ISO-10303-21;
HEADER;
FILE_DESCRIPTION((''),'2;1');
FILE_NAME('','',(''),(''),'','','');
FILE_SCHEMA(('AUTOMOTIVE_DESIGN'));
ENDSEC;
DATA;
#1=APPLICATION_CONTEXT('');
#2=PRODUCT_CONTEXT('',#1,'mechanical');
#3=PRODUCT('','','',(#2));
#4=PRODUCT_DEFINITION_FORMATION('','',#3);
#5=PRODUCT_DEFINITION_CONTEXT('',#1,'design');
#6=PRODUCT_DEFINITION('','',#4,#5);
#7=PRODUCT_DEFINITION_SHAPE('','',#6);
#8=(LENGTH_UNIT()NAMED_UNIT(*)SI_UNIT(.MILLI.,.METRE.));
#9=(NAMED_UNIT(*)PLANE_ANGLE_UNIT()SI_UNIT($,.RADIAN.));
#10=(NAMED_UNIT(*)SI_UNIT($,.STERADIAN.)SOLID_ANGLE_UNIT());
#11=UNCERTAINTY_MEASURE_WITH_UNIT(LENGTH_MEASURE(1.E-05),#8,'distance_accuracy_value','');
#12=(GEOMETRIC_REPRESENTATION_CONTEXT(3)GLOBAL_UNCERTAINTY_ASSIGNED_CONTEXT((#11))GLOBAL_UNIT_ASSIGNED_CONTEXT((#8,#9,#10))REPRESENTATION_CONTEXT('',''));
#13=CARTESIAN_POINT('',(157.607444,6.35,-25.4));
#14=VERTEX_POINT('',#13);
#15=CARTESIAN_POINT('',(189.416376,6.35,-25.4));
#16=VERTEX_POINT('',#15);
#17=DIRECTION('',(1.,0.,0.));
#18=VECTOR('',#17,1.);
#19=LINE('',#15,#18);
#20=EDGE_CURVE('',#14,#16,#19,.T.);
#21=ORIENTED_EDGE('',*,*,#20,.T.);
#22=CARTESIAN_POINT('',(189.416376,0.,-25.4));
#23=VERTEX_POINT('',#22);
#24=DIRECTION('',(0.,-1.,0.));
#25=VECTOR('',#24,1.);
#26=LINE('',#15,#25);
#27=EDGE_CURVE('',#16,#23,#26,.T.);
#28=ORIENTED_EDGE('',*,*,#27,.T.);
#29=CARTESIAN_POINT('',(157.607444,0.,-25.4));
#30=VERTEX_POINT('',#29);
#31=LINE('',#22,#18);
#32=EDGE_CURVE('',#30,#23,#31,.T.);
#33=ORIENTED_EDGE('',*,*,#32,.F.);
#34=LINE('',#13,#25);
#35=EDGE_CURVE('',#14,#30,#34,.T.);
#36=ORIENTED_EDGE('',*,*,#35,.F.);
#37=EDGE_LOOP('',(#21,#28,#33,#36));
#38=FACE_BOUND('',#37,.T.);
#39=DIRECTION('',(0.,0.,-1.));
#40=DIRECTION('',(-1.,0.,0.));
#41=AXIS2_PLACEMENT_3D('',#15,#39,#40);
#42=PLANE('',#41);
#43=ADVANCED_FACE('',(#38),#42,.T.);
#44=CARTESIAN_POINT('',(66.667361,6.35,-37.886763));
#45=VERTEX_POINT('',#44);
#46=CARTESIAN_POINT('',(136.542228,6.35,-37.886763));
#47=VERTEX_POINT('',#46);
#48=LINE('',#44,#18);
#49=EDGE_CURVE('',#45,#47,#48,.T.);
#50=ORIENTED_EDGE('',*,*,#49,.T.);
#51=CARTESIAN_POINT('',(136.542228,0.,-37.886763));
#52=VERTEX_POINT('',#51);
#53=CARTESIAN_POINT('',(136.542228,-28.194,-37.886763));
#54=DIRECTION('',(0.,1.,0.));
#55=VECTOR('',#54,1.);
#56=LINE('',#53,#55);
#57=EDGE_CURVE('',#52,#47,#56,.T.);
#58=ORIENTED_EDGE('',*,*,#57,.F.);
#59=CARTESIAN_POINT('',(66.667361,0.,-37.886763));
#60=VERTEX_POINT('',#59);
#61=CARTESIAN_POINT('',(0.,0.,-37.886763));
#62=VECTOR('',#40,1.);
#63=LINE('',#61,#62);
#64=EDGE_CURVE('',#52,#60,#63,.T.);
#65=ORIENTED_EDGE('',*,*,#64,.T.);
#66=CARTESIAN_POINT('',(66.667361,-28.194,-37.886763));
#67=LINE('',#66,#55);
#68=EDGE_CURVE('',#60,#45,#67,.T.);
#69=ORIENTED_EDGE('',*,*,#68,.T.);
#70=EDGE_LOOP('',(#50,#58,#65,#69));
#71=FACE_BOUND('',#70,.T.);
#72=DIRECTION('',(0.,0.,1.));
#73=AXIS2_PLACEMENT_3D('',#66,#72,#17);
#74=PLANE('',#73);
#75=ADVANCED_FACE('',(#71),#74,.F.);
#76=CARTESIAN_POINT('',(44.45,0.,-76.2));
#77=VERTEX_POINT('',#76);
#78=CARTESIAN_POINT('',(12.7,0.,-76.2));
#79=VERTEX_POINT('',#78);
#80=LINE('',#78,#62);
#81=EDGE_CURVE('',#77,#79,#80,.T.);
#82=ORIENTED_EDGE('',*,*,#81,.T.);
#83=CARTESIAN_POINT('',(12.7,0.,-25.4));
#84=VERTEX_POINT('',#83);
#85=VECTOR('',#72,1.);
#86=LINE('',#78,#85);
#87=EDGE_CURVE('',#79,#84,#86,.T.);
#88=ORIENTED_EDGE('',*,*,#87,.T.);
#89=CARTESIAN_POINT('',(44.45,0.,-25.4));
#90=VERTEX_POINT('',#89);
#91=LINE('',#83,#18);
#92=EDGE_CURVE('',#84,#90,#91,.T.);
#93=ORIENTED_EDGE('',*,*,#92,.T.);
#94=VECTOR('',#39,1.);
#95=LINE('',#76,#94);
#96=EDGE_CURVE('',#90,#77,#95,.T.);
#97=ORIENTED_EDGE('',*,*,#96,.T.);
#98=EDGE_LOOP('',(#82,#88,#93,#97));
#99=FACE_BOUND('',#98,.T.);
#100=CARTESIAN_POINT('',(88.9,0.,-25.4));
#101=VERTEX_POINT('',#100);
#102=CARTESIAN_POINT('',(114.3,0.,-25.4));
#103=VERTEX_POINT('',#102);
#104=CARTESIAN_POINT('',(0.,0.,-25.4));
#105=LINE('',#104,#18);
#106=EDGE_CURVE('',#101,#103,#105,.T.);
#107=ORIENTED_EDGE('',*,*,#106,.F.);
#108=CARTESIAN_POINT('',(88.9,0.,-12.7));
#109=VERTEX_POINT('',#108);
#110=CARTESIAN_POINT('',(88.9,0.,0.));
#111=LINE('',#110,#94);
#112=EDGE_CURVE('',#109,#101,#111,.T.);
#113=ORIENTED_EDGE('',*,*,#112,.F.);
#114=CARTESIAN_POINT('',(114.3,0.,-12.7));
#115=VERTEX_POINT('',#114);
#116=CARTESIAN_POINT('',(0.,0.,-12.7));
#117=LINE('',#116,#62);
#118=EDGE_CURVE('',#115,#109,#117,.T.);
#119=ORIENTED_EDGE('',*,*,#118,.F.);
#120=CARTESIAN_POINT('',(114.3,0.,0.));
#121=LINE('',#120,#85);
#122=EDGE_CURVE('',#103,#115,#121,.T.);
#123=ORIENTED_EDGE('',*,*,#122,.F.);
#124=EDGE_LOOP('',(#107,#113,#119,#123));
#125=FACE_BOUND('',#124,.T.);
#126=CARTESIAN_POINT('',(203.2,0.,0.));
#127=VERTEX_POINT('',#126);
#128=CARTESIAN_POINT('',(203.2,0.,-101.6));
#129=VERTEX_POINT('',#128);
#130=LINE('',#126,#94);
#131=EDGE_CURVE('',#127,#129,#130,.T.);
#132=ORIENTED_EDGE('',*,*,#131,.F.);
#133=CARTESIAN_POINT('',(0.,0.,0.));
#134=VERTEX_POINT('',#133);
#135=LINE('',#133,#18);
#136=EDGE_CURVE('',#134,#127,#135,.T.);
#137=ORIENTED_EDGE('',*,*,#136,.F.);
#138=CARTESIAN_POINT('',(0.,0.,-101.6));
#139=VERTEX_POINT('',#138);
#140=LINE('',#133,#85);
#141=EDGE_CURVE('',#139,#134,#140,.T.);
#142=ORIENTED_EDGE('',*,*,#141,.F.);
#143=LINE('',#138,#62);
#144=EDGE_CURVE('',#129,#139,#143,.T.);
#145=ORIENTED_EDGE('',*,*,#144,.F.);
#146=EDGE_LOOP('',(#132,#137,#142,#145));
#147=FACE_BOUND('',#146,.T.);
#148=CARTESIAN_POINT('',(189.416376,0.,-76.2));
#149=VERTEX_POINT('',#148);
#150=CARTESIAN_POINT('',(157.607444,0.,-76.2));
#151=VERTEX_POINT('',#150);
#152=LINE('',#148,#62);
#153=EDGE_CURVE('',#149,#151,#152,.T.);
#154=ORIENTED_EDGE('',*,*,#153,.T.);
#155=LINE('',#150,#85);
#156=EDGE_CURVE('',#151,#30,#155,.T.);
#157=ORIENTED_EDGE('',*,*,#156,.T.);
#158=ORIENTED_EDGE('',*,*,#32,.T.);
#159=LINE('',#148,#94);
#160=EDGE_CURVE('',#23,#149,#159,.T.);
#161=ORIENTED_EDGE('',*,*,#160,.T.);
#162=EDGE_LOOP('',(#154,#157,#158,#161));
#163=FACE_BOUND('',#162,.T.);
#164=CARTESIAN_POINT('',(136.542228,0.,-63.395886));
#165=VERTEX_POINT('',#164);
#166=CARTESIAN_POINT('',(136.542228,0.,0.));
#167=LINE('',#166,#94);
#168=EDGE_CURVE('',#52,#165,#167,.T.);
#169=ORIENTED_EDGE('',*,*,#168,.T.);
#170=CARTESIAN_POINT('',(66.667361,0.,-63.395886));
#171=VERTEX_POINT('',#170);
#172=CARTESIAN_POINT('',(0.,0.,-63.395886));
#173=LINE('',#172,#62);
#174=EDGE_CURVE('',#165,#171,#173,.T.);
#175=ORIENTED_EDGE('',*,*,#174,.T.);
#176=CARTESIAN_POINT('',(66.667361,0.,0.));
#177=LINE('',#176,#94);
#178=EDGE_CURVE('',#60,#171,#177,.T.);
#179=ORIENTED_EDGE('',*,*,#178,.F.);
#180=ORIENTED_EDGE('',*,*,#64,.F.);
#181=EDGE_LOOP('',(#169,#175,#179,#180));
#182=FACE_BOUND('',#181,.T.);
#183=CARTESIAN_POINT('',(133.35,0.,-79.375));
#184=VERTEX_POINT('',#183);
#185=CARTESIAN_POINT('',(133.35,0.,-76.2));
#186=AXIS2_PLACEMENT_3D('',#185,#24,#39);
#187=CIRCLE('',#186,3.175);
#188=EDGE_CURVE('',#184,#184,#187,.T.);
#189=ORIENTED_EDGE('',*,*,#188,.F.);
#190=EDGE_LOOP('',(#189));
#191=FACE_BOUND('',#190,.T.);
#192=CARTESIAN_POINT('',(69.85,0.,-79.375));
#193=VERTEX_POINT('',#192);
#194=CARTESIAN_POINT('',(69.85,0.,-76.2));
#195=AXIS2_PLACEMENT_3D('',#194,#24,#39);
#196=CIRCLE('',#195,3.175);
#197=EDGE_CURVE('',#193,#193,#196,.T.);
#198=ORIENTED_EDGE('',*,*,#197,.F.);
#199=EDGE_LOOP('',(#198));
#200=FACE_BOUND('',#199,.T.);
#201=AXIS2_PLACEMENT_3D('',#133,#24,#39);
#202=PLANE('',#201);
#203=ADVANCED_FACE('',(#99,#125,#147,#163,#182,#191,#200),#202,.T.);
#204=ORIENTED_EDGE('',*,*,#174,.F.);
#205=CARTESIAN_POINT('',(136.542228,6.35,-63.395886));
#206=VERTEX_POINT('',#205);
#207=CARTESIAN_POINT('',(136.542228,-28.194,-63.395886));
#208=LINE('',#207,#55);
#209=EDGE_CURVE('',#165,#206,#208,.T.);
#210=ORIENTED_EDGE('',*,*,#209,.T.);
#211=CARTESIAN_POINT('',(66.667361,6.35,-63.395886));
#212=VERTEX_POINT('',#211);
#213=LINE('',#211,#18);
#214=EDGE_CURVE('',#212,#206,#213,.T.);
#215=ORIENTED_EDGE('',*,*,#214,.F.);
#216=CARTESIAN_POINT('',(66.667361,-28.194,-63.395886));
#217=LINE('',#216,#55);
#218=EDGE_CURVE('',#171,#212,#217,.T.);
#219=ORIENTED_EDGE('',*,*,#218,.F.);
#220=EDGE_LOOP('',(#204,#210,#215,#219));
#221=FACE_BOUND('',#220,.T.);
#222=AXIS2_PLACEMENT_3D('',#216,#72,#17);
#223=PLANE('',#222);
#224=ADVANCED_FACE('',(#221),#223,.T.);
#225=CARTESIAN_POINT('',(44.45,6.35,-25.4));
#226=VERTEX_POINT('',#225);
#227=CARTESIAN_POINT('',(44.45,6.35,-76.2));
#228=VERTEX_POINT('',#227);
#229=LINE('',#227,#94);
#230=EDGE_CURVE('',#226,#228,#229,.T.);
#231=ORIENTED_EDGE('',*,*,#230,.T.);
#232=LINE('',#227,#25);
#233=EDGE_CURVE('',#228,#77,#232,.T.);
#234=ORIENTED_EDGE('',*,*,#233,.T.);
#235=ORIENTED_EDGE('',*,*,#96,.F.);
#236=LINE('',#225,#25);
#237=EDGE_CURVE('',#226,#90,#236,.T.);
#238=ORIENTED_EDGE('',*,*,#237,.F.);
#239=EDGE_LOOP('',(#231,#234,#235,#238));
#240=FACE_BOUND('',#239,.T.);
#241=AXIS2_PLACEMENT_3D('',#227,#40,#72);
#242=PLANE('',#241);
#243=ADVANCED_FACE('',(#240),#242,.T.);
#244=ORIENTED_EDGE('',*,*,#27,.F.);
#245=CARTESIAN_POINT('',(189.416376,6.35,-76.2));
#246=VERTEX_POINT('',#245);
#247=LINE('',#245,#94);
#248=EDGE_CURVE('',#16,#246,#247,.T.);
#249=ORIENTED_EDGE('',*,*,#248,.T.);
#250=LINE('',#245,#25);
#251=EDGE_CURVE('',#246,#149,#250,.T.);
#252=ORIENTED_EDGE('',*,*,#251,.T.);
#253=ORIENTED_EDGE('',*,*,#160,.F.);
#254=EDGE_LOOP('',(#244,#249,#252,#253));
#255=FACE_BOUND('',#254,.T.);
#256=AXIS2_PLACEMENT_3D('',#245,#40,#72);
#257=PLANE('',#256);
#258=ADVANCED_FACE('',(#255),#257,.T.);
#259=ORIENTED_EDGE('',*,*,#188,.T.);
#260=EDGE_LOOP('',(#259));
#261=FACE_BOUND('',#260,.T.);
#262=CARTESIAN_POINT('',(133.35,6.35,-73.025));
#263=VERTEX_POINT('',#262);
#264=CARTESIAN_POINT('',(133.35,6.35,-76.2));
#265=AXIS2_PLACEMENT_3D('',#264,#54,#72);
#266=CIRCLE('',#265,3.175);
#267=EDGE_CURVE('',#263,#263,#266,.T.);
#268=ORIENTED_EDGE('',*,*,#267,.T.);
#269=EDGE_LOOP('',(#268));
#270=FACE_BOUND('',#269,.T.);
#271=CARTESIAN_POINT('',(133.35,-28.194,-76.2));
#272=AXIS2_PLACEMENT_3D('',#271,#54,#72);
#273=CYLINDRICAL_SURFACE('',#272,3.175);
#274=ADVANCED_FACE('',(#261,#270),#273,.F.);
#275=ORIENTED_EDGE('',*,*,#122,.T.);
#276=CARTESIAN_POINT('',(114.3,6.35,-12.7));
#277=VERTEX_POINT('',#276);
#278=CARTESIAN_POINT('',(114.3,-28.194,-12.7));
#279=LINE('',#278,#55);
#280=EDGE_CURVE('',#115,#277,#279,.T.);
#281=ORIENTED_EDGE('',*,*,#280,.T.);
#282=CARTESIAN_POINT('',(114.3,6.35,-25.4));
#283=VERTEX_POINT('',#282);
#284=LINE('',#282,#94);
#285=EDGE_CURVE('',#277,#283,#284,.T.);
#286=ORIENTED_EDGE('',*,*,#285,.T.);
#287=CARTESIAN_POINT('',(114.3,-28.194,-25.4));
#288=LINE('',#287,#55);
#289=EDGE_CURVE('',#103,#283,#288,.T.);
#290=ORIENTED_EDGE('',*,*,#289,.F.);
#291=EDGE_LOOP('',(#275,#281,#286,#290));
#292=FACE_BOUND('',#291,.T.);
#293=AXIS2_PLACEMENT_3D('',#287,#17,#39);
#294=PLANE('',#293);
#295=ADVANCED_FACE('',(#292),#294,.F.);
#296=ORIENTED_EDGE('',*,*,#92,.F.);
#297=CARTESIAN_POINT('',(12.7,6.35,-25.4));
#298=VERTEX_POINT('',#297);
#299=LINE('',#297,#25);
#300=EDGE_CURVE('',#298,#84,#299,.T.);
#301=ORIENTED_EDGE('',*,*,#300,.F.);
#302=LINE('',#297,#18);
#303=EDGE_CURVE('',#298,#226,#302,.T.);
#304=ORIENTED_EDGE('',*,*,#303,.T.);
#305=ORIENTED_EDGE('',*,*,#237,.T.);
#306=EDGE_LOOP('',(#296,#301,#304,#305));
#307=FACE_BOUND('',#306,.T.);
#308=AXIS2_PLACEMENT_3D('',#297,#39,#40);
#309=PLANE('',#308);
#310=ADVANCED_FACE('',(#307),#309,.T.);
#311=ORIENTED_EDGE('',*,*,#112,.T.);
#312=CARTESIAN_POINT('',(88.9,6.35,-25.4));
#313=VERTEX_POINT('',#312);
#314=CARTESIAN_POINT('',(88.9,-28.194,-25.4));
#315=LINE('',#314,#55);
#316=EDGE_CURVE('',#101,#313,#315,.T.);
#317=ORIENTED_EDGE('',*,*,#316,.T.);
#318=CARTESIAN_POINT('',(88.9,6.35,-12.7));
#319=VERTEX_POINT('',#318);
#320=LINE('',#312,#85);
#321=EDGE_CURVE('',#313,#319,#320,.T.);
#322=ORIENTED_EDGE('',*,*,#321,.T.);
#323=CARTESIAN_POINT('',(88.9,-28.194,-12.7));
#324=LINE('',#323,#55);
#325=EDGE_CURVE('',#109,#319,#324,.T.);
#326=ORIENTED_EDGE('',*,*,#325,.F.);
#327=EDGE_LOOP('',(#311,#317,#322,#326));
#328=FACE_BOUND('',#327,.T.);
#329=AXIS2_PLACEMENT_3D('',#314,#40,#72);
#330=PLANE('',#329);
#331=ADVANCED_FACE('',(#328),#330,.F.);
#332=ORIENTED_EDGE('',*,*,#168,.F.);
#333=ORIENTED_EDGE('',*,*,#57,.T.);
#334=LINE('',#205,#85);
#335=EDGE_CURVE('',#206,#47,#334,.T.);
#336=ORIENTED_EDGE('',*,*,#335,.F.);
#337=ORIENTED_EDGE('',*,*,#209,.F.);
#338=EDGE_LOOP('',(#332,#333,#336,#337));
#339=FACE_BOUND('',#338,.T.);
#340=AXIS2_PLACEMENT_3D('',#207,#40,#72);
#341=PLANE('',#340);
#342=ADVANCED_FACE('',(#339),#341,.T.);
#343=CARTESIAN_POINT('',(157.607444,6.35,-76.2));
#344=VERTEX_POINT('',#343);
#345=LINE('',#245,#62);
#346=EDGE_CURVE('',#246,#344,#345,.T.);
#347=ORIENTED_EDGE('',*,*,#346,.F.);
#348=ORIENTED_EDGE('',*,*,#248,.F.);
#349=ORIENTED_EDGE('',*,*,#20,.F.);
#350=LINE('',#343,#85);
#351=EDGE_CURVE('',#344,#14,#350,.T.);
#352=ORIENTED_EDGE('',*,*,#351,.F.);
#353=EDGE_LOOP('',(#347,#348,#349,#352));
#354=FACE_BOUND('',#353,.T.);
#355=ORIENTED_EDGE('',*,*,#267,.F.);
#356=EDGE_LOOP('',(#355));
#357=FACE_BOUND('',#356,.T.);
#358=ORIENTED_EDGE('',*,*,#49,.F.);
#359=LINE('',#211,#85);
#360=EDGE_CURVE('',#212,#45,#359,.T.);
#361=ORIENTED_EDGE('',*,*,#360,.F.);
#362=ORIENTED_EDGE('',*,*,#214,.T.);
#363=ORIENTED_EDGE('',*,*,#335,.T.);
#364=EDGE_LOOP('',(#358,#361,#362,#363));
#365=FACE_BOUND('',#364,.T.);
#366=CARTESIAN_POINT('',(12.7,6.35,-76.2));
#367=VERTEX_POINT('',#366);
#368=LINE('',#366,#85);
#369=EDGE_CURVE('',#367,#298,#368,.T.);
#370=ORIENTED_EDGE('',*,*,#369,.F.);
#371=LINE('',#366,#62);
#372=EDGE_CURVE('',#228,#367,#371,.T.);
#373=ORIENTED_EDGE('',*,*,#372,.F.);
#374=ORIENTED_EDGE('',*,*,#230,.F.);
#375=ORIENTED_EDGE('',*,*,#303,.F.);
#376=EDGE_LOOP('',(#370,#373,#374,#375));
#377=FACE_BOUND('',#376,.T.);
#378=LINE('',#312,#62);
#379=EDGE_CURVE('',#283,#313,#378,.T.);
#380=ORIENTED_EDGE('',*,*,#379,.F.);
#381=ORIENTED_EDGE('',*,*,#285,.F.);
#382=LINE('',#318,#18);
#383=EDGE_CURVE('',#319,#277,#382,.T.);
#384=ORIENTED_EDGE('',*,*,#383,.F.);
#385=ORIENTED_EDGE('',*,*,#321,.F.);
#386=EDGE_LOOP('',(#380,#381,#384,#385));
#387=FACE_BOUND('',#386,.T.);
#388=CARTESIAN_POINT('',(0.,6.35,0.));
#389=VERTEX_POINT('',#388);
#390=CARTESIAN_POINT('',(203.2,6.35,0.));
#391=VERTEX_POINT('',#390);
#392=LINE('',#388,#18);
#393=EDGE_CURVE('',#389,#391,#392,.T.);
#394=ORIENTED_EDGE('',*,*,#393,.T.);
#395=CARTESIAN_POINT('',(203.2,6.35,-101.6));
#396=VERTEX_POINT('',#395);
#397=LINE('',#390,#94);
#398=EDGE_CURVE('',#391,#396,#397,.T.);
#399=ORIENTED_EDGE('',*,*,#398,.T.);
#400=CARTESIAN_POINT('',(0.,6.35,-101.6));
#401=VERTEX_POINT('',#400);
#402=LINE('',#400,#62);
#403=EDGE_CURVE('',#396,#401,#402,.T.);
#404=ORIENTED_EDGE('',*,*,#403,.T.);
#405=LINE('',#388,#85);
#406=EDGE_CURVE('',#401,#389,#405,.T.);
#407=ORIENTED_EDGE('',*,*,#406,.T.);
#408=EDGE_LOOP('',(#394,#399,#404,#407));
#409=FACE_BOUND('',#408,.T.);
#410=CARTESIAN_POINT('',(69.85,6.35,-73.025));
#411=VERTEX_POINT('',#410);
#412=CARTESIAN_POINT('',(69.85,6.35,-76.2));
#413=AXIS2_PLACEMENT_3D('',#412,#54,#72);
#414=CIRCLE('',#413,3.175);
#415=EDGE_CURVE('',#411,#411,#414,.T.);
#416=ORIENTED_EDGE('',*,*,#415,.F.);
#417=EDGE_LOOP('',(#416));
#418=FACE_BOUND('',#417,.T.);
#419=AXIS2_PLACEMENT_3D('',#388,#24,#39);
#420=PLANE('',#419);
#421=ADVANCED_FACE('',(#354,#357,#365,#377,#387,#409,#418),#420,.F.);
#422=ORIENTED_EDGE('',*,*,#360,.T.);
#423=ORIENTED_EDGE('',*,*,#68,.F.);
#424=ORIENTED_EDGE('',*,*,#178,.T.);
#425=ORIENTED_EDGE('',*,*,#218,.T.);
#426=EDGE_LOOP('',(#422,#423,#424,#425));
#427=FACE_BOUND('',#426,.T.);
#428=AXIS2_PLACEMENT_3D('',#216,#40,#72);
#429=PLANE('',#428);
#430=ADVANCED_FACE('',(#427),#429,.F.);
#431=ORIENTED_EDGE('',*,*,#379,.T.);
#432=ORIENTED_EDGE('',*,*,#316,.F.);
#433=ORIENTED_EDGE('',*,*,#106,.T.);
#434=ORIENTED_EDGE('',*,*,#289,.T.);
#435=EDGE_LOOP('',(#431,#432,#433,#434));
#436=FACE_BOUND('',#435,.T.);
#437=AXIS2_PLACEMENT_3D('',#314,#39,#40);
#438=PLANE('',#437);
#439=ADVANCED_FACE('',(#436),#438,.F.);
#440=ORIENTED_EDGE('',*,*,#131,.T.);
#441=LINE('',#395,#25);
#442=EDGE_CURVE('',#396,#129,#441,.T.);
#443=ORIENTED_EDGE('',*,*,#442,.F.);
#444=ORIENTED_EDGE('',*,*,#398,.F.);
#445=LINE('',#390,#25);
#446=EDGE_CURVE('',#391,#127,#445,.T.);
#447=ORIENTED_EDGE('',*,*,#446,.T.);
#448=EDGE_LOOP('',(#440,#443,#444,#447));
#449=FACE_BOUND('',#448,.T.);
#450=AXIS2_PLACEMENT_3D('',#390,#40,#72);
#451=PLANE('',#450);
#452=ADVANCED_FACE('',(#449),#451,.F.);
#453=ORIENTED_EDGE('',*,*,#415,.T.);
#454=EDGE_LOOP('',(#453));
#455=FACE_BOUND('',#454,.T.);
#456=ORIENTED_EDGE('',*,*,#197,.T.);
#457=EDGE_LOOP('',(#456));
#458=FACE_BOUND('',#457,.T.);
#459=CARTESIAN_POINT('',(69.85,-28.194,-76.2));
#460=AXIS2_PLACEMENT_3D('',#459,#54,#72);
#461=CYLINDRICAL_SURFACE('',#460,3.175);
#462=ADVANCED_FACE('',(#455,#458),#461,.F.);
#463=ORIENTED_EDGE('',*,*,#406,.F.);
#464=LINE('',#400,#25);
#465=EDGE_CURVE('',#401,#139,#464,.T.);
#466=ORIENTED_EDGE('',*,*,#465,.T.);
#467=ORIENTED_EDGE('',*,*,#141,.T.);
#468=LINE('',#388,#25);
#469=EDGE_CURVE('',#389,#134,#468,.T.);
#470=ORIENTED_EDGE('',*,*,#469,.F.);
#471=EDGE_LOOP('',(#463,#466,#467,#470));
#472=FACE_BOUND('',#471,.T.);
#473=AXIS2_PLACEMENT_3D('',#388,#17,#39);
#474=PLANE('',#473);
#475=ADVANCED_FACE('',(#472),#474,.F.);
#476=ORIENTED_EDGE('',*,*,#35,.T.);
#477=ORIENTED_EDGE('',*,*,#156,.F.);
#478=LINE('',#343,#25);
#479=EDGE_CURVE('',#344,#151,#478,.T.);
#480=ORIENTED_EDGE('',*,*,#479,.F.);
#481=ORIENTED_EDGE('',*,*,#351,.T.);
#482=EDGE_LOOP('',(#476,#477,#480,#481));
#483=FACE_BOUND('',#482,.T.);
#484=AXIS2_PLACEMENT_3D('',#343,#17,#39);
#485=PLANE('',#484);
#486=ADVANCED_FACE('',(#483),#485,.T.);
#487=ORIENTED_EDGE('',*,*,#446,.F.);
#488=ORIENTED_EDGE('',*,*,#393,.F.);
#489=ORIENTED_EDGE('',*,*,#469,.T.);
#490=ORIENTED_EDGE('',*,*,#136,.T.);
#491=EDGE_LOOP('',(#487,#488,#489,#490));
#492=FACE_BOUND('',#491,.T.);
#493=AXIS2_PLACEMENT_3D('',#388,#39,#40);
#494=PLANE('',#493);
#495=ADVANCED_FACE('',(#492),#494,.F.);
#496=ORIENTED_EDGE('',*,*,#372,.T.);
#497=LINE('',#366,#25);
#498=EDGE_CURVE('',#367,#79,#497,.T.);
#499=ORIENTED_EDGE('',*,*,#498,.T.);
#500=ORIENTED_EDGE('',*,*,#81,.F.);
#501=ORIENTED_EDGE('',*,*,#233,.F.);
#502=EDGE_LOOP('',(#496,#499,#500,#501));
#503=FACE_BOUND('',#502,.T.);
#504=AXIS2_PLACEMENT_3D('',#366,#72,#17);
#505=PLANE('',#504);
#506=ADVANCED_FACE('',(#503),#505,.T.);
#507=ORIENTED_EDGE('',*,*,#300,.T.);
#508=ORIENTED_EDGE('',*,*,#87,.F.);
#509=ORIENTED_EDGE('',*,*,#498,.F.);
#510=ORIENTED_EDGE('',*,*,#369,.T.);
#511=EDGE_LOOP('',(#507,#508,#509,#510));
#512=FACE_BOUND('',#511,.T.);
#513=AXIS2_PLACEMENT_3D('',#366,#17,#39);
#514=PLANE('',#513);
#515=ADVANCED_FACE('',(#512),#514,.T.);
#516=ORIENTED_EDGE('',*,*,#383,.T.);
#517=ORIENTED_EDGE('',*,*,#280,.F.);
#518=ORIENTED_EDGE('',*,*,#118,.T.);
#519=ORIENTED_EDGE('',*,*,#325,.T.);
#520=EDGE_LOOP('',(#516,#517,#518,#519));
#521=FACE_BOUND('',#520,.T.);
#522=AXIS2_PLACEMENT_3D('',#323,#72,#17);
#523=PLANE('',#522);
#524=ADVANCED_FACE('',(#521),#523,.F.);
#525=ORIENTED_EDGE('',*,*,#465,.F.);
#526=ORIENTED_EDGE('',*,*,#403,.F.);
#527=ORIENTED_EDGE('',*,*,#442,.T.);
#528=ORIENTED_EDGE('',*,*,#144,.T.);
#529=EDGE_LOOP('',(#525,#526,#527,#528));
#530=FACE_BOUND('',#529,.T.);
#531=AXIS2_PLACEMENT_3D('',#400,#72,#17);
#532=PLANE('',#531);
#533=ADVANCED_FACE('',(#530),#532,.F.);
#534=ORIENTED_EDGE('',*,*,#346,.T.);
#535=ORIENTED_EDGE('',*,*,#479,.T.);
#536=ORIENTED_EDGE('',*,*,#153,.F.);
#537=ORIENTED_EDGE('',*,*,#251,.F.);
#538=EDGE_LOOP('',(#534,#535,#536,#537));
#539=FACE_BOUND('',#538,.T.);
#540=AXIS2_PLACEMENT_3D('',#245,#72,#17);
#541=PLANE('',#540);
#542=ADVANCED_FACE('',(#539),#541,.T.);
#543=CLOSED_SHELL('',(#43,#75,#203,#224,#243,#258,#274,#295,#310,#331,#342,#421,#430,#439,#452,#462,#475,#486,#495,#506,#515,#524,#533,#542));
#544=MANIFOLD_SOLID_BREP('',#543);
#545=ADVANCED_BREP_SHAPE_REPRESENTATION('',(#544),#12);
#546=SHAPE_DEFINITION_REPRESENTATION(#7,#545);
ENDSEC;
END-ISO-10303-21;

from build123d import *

# Parameters (mm, degrees)
SKETCH2_W           = 203.2
SKETCH2_H           = 101.6
SKETCH2_W_2         = 31.75
SKETCH2_H_2         = 50.8
SKETCH2_W_3         = 31.808931498
BOSS_EXTRUDE1_DEPTH = 6.35
SKETCH3_R           = 3.175
CUT_EXTRUDE1_DEPTH  = 34.544
SKETCH5_W           = 69.874867022
SKETCH5_H           = 25.509122939
CUT_EXTRUDE2_DEPTH  = 34.544
SKETCH6_W           = 25.4
SKETCH6_H           = 12.7
CUT_EXTRUDE3_DEPTH  = 34.544


with BuildPart() as part:
    # Sketch2 → Boss-Extrude1 (new body)
    with BuildSketch(Plane(origin=(0, 0, 0), x_dir=(1, 0, 0), z_dir=(0, 1, 0))):
        with Locations((101.6, 50.8)):
            Rectangle(SKETCH2_W, SKETCH2_H)
        with Locations((28.575, 50.8)):
            Rectangle(SKETCH2_W_2, SKETCH2_H_2, mode=Mode.SUBTRACT)
        with Locations((173.511909894, 50.8)):
            Rectangle(SKETCH2_W_3, SKETCH2_H_2, mode=Mode.SUBTRACT)
    extrude(amount=BOSS_EXTRUDE1_DEPTH)

    # Sketch3 → Cut-Extrude1 (cut)
    with BuildSketch(Plane(origin=(0, 6.35, 0), x_dir=(1, 0, 0), z_dir=(0, 1, 0))):
        with Locations(Location((69.85, 76.2, 0), (0, 0, 270))):
            Circle(SKETCH3_R)
        with Locations(Location((133.35, 76.2, 0), (0, 0, 270))):
            Circle(SKETCH3_R)
    extrude(amount=-CUT_EXTRUDE1_DEPTH, mode=Mode.SUBTRACT)

    # Sketch5 → Cut-Extrude2 (cut)
    with BuildSketch(Plane(origin=(0, 6.35, 0), x_dir=(1, 0, 0), z_dir=(0, 1, 0))):
        with Locations((101.604794403, 50.641324615)):
            Rectangle(SKETCH5_W, SKETCH5_H)
    extrude(amount=-CUT_EXTRUDE2_DEPTH, mode=Mode.SUBTRACT)

    # Sketch6 → Cut-Extrude3 (cut)
    with BuildSketch(Plane(origin=(0, 6.35, 0), x_dir=(1, 0, 0), z_dir=(0, 1, 0))):
        with Locations((101.6, 19.05)):
            Rectangle(SKETCH6_W, SKETCH6_H)
    extrude(amount=-CUT_EXTRUDE3_DEPTH, mode=Mode.SUBTRACT)


solid = part.part
